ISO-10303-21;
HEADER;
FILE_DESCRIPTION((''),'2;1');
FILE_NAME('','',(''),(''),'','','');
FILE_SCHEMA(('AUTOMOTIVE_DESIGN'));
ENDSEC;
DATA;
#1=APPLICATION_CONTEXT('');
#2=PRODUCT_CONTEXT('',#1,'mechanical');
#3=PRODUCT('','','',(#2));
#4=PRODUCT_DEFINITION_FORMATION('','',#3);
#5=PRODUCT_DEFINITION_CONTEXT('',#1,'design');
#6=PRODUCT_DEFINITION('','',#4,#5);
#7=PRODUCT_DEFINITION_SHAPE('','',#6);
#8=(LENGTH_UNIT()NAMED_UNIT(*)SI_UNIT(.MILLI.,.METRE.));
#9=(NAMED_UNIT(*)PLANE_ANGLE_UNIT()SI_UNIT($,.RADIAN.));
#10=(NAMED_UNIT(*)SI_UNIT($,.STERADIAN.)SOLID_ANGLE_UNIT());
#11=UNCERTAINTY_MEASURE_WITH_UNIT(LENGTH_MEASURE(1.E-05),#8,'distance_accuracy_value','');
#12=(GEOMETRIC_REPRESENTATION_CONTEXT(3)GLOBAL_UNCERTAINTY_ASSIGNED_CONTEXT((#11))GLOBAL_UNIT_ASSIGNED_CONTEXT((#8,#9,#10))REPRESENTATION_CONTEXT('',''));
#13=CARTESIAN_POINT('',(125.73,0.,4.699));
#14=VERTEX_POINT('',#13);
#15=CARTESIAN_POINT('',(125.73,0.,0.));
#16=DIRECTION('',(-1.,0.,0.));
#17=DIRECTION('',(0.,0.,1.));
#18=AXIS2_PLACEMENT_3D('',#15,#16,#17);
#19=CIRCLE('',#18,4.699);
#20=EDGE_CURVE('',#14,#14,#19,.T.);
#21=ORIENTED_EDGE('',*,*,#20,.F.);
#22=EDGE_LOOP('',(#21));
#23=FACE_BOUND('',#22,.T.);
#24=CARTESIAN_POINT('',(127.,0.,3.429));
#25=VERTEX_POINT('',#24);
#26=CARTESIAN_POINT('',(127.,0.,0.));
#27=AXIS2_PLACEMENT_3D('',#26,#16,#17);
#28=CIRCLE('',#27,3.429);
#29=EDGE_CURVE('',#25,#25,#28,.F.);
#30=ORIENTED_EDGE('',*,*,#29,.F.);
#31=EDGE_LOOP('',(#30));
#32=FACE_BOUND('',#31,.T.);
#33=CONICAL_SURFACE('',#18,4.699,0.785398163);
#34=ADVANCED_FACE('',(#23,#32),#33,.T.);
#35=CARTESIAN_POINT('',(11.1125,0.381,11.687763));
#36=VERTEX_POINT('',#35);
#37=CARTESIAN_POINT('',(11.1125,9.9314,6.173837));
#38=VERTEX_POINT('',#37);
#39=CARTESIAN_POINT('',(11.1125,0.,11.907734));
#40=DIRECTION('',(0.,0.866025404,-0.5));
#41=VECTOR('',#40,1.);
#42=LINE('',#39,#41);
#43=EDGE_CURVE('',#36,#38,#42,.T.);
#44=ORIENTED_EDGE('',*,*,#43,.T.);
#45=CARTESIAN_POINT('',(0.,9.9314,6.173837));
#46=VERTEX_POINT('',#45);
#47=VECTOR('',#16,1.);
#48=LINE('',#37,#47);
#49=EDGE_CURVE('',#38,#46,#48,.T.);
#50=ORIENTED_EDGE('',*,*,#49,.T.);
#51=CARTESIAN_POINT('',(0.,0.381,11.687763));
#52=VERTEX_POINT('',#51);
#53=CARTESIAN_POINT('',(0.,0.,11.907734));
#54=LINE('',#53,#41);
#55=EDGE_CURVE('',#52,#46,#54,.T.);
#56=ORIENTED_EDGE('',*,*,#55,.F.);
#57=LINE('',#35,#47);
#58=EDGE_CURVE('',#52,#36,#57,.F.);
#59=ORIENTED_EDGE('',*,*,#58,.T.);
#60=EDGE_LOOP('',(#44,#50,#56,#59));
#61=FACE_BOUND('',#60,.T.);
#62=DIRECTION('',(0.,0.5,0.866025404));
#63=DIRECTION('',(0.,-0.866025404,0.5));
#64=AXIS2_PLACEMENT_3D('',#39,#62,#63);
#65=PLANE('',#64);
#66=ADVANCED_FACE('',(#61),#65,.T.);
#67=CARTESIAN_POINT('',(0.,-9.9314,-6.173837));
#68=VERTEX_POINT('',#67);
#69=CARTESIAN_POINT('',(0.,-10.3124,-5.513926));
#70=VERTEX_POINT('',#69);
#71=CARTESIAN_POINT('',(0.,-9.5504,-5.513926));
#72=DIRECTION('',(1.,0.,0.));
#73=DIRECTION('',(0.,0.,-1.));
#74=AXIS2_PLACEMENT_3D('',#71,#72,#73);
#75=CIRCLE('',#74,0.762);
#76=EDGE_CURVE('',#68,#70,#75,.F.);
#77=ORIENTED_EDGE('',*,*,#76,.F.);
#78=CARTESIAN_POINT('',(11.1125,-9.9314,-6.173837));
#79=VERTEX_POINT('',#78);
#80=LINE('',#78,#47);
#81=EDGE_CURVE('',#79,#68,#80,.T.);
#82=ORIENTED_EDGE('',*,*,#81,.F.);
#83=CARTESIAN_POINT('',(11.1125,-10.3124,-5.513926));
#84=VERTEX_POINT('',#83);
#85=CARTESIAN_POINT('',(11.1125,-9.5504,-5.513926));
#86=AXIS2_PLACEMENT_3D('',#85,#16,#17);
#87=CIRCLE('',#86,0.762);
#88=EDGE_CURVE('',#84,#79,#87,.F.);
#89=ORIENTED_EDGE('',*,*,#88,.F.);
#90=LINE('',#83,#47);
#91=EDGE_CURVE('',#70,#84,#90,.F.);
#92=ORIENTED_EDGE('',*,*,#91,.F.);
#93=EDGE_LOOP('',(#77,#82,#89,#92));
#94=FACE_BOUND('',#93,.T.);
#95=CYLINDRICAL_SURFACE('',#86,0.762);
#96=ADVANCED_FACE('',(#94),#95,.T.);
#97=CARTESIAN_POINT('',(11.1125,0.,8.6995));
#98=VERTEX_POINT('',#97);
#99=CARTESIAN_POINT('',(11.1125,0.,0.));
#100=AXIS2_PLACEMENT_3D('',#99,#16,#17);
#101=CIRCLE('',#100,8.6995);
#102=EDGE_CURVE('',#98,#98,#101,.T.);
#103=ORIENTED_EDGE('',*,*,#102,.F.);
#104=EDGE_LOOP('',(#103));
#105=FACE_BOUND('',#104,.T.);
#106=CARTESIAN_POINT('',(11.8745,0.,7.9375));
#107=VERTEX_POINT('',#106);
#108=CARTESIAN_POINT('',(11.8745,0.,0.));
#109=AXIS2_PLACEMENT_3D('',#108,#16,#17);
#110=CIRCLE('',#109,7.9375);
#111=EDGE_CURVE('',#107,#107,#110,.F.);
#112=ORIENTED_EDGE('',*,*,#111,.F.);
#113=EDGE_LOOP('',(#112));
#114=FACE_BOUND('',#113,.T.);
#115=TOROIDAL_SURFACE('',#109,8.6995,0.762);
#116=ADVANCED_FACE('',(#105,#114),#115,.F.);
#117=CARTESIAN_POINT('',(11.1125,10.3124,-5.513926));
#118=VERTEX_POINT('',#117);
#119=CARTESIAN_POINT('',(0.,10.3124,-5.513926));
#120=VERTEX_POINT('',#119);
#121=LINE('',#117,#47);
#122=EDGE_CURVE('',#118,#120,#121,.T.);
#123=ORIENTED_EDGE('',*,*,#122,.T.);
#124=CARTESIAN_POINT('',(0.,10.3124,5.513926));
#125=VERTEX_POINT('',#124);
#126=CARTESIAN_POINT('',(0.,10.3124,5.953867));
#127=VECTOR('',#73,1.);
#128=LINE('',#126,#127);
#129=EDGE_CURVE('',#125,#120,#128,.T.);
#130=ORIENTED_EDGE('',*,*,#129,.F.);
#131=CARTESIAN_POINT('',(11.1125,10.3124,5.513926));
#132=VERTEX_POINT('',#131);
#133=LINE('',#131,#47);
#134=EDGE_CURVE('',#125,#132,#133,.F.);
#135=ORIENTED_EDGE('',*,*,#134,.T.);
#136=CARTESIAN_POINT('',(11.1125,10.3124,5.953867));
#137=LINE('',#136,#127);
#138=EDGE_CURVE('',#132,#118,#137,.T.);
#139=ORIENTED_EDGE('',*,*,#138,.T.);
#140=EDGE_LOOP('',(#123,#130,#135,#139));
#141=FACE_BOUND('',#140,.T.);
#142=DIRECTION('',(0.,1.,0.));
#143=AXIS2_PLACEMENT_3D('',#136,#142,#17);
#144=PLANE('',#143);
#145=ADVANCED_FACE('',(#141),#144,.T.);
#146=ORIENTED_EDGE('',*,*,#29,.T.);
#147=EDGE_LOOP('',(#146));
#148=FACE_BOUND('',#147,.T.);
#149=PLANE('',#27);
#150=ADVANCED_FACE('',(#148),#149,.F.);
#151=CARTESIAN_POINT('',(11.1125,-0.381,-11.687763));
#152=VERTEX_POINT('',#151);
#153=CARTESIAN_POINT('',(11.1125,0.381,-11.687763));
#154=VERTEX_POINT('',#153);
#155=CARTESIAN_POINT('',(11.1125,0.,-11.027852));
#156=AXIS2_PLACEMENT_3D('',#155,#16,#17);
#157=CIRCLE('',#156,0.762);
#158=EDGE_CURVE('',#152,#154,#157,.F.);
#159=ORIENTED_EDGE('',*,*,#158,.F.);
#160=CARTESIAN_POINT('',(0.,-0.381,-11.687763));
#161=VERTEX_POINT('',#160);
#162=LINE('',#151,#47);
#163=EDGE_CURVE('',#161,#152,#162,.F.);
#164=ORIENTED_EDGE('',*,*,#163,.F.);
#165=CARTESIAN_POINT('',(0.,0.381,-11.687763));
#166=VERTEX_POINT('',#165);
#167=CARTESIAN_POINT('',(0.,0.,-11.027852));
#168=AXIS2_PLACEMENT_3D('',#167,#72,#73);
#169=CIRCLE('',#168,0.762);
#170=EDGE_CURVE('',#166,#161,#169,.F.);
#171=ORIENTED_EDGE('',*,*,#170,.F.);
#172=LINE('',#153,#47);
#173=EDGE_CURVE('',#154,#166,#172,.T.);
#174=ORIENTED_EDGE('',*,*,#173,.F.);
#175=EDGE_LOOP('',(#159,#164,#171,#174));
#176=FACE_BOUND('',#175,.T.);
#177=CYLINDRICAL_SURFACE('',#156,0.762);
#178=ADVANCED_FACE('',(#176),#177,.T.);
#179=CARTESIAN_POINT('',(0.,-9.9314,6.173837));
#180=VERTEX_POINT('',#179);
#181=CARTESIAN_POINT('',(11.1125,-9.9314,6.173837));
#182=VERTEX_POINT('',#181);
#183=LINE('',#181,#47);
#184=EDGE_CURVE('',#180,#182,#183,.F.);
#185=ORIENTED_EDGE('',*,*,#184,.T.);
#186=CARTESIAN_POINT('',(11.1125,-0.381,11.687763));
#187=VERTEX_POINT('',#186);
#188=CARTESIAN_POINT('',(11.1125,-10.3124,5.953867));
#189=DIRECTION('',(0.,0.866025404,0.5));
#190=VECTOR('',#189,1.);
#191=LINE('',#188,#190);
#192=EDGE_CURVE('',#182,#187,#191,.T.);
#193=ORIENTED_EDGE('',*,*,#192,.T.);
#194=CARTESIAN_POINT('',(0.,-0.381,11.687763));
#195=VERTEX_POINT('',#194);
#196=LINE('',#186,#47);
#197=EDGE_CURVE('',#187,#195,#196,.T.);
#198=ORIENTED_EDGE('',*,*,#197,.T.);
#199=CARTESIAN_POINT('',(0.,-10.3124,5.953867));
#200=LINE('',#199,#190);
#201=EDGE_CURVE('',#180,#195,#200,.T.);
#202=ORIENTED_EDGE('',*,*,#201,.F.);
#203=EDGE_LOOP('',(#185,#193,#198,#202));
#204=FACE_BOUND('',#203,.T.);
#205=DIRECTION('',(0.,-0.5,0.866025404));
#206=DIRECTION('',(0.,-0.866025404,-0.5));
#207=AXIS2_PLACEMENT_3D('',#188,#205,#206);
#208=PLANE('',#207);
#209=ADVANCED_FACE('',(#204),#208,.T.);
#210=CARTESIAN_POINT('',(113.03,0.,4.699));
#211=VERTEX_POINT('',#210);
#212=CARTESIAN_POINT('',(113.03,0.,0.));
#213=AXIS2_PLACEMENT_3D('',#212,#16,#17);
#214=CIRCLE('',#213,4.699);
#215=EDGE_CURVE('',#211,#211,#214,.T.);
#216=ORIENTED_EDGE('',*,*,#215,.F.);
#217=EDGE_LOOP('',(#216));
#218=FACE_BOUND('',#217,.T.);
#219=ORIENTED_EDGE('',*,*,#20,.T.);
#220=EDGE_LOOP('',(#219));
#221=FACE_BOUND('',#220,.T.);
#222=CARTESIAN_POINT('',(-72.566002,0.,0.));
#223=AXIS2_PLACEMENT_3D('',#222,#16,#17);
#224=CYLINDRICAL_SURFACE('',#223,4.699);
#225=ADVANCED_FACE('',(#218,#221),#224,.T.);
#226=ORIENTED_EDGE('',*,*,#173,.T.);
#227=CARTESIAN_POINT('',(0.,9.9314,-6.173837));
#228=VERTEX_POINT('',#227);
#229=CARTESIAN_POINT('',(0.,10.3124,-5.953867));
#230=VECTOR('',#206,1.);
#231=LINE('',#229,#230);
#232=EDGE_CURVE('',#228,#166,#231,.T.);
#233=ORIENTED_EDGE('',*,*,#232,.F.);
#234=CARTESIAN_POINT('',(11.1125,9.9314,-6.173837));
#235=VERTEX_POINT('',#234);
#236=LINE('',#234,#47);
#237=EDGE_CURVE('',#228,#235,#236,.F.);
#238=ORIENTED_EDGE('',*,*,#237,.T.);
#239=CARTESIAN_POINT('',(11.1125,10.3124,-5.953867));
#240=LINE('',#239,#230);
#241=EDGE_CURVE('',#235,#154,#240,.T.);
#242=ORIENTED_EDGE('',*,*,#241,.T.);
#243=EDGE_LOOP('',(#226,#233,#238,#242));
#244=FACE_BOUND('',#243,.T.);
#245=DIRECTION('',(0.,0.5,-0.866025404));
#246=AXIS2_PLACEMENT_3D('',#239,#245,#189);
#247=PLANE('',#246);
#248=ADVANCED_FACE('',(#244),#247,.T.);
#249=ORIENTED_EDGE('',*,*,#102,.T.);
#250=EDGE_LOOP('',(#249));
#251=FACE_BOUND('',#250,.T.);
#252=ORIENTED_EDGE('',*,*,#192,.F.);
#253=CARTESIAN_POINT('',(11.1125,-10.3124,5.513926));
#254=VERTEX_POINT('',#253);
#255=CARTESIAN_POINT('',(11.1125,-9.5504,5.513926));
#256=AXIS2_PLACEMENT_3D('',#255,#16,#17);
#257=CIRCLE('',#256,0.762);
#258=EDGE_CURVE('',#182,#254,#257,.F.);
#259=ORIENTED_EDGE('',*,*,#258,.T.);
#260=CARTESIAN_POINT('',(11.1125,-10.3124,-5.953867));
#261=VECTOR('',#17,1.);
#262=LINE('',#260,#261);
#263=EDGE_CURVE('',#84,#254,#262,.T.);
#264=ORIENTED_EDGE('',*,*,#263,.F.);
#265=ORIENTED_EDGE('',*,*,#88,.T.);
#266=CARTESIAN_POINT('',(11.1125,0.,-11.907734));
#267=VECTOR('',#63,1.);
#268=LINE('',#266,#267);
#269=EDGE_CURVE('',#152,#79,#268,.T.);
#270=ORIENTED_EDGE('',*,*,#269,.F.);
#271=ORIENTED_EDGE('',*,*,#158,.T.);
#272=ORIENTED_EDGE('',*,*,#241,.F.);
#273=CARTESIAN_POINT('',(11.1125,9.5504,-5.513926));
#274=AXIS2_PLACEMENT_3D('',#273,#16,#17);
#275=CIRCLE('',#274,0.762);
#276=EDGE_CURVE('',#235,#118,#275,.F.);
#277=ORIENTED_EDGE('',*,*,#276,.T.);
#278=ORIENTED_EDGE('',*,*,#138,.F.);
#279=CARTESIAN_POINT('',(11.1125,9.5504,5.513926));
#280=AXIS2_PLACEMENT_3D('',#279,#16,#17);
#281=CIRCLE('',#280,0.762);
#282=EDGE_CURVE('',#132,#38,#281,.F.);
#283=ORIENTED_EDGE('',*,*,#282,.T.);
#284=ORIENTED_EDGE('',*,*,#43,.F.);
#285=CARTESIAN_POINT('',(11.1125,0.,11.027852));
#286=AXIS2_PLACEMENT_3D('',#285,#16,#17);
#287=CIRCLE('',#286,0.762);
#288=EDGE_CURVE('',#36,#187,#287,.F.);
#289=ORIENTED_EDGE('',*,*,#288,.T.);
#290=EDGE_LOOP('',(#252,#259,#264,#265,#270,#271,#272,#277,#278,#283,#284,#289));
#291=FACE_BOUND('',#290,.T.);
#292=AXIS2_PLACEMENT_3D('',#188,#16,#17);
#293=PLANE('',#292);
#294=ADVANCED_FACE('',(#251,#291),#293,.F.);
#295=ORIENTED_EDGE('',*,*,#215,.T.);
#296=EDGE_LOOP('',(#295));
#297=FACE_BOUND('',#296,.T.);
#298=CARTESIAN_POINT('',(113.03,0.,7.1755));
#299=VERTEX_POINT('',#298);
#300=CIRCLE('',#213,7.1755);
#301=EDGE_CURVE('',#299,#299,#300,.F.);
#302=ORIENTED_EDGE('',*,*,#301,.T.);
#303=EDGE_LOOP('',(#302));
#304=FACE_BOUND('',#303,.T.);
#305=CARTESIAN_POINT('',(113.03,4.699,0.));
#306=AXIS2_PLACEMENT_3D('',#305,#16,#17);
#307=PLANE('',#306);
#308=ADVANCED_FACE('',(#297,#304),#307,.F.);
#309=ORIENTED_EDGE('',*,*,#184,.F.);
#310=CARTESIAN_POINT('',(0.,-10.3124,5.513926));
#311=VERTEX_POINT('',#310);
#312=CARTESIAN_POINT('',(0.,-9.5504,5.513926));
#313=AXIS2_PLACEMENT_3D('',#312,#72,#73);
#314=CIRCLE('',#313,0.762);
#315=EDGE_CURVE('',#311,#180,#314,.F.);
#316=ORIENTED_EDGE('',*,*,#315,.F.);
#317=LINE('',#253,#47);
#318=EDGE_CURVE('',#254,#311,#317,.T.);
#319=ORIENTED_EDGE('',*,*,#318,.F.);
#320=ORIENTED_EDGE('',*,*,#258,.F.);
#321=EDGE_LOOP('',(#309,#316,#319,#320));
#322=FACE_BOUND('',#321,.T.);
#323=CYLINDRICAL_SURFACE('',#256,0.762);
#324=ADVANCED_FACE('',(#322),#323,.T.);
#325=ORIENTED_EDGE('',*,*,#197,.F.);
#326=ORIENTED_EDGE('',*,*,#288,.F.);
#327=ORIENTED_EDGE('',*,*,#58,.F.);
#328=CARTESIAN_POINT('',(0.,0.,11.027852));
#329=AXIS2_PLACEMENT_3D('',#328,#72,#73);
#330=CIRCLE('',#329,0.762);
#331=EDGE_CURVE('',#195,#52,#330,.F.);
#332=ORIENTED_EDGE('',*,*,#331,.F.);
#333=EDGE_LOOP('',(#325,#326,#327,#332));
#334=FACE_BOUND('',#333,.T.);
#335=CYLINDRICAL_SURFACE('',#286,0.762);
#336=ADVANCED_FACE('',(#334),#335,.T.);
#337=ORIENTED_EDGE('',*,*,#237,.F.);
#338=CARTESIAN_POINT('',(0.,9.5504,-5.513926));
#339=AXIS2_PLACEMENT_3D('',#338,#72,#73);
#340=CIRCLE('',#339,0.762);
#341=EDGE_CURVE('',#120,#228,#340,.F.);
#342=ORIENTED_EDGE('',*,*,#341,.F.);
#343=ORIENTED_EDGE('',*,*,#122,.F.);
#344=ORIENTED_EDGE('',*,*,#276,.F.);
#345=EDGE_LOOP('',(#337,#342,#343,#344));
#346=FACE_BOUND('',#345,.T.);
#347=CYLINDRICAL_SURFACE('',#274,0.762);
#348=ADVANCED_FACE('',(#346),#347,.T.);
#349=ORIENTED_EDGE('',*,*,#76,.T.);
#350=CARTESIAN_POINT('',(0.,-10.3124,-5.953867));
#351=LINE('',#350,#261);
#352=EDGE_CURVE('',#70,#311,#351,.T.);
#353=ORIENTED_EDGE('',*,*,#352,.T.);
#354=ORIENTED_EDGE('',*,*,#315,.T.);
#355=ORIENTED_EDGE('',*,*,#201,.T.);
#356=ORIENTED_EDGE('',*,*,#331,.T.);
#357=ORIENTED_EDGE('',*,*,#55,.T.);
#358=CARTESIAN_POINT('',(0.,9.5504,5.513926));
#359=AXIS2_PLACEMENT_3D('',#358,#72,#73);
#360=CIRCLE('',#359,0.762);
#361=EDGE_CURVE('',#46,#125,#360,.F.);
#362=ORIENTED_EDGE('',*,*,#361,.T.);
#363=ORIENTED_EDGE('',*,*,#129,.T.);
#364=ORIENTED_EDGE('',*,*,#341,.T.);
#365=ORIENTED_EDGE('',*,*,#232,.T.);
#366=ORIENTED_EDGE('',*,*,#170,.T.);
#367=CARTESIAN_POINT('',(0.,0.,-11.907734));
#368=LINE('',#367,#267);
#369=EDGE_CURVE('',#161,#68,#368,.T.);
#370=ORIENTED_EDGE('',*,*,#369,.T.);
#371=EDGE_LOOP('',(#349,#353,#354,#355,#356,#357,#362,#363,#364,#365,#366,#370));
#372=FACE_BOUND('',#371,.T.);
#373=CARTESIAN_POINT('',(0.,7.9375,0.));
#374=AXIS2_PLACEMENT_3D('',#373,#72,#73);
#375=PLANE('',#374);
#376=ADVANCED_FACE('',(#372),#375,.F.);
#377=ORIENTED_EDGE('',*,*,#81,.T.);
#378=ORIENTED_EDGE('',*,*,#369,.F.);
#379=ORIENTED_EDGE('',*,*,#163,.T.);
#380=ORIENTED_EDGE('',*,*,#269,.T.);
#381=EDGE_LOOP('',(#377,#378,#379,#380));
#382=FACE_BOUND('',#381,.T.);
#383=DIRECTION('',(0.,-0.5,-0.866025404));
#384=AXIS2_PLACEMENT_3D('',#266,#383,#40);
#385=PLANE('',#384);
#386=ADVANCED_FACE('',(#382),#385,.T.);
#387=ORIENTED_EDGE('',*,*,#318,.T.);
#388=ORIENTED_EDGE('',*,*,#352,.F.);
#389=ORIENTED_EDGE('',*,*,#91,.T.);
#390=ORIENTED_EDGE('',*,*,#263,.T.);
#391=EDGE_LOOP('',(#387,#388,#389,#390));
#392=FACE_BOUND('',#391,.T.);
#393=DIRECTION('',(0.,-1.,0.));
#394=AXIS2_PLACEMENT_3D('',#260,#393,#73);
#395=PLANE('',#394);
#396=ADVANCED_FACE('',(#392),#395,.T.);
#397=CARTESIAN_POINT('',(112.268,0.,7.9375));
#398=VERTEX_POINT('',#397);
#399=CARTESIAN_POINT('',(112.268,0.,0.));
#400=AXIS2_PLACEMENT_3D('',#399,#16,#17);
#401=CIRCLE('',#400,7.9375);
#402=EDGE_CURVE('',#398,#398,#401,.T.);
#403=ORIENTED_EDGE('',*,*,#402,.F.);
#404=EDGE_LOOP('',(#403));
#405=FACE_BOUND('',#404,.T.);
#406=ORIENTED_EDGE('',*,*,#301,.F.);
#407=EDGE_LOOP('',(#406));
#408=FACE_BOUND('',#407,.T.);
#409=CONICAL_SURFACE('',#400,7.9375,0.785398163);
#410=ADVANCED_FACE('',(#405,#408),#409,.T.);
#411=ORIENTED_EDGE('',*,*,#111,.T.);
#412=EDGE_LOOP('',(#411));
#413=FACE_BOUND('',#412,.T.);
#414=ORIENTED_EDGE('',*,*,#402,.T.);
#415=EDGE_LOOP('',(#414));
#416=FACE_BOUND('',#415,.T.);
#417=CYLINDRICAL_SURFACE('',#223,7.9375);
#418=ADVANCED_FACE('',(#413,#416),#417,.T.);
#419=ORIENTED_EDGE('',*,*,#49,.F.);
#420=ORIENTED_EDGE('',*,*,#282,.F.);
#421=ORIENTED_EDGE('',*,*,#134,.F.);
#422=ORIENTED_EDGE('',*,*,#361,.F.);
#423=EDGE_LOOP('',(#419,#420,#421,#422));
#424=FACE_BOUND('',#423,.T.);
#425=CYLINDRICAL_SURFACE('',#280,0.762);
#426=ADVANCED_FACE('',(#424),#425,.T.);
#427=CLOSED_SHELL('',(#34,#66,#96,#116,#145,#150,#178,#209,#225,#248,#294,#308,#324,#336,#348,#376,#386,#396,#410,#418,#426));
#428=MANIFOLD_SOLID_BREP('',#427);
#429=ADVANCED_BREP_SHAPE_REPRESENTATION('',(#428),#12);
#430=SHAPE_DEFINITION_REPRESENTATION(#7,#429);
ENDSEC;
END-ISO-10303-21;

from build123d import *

# Parameters (mm, degrees)
CHAMFER1_SIZE  = 1.27
SKETCH2_R      = 7.9375
EXTRUDE1_DEPTH = 11.1125
FILLET1_R      = 0.762
CHAMFER2_SIZE  = 0.762
FILLET2_R      = 0.762


with BuildPart() as part:
    # Sketch1 → Revolve1 (revolve)
    with BuildSketch(Plane.XY, mode=Mode.PRIVATE) as revolve1_sk:
        Polygon((127, 0), (127, 4.699), (113.03, 4.699), (113.03, 7.9375), (0, 7.9375), (0, 0), align=None)
    revolve(revolve1_sk.sketch.rotate(Axis((-72.566001994, 0, 0), (1, 0, 0)), 90), axis=Axis((-72.566001994, 0, 0), (1, 0, 0)))  # turned: the seam where the file's is

    # Chamfer1
    chamfer1_edges = [part.edges().sort_by_distance(p)[0] for p in [
        (127, 0, -4.699),
    ]]
    chamfer(chamfer1_edges, length=CHAMFER1_SIZE)

    # Sketch2 → Extrude1 (add)
    with BuildSketch(Plane.ZY):
        Polygon((5.953866916, -10.3124), (11.907733832, 0), (5.953866916, 10.3124), (-5.953866916, 10.3124), (-11.907733832, 0), (-5.953866916, -10.3124), align=None)
        Circle(SKETCH2_R, mode=Mode.SUBTRACT)
    extrude(amount=-EXTRUDE1_DEPTH)

    # Fillet1
    fillet1_edges = [part.edges().sort_by_distance(p)[0] for p in [
        (5.55625, -10.3124, 5.953866916),
        (5.55625, -10.3124, -5.953866916),
        (5.55625, 0, -11.907733832),
        (5.55625, 10.3124, -5.953866916),
        (5.55625, 10.3124, 5.953866916),
        (5.55625, 0, 11.907733832),
    ]]
    fillet(fillet1_edges, radius=FILLET1_R)

    # Chamfer2
    chamfer2_edges = [part.edges().sort_by_distance(p)[0] for p in [
        (113.03, 0, -7.9375),
    ]]
    chamfer(chamfer2_edges, length=CHAMFER2_SIZE)

    # Fillet2
    fillet2_edges = [part.edges().sort_by_distance(p)[0] for p in [
        (11.1125, 0, -7.9375),
    ]]
    fillet(fillet2_edges, radius=FILLET2_R)


solid = part.part
